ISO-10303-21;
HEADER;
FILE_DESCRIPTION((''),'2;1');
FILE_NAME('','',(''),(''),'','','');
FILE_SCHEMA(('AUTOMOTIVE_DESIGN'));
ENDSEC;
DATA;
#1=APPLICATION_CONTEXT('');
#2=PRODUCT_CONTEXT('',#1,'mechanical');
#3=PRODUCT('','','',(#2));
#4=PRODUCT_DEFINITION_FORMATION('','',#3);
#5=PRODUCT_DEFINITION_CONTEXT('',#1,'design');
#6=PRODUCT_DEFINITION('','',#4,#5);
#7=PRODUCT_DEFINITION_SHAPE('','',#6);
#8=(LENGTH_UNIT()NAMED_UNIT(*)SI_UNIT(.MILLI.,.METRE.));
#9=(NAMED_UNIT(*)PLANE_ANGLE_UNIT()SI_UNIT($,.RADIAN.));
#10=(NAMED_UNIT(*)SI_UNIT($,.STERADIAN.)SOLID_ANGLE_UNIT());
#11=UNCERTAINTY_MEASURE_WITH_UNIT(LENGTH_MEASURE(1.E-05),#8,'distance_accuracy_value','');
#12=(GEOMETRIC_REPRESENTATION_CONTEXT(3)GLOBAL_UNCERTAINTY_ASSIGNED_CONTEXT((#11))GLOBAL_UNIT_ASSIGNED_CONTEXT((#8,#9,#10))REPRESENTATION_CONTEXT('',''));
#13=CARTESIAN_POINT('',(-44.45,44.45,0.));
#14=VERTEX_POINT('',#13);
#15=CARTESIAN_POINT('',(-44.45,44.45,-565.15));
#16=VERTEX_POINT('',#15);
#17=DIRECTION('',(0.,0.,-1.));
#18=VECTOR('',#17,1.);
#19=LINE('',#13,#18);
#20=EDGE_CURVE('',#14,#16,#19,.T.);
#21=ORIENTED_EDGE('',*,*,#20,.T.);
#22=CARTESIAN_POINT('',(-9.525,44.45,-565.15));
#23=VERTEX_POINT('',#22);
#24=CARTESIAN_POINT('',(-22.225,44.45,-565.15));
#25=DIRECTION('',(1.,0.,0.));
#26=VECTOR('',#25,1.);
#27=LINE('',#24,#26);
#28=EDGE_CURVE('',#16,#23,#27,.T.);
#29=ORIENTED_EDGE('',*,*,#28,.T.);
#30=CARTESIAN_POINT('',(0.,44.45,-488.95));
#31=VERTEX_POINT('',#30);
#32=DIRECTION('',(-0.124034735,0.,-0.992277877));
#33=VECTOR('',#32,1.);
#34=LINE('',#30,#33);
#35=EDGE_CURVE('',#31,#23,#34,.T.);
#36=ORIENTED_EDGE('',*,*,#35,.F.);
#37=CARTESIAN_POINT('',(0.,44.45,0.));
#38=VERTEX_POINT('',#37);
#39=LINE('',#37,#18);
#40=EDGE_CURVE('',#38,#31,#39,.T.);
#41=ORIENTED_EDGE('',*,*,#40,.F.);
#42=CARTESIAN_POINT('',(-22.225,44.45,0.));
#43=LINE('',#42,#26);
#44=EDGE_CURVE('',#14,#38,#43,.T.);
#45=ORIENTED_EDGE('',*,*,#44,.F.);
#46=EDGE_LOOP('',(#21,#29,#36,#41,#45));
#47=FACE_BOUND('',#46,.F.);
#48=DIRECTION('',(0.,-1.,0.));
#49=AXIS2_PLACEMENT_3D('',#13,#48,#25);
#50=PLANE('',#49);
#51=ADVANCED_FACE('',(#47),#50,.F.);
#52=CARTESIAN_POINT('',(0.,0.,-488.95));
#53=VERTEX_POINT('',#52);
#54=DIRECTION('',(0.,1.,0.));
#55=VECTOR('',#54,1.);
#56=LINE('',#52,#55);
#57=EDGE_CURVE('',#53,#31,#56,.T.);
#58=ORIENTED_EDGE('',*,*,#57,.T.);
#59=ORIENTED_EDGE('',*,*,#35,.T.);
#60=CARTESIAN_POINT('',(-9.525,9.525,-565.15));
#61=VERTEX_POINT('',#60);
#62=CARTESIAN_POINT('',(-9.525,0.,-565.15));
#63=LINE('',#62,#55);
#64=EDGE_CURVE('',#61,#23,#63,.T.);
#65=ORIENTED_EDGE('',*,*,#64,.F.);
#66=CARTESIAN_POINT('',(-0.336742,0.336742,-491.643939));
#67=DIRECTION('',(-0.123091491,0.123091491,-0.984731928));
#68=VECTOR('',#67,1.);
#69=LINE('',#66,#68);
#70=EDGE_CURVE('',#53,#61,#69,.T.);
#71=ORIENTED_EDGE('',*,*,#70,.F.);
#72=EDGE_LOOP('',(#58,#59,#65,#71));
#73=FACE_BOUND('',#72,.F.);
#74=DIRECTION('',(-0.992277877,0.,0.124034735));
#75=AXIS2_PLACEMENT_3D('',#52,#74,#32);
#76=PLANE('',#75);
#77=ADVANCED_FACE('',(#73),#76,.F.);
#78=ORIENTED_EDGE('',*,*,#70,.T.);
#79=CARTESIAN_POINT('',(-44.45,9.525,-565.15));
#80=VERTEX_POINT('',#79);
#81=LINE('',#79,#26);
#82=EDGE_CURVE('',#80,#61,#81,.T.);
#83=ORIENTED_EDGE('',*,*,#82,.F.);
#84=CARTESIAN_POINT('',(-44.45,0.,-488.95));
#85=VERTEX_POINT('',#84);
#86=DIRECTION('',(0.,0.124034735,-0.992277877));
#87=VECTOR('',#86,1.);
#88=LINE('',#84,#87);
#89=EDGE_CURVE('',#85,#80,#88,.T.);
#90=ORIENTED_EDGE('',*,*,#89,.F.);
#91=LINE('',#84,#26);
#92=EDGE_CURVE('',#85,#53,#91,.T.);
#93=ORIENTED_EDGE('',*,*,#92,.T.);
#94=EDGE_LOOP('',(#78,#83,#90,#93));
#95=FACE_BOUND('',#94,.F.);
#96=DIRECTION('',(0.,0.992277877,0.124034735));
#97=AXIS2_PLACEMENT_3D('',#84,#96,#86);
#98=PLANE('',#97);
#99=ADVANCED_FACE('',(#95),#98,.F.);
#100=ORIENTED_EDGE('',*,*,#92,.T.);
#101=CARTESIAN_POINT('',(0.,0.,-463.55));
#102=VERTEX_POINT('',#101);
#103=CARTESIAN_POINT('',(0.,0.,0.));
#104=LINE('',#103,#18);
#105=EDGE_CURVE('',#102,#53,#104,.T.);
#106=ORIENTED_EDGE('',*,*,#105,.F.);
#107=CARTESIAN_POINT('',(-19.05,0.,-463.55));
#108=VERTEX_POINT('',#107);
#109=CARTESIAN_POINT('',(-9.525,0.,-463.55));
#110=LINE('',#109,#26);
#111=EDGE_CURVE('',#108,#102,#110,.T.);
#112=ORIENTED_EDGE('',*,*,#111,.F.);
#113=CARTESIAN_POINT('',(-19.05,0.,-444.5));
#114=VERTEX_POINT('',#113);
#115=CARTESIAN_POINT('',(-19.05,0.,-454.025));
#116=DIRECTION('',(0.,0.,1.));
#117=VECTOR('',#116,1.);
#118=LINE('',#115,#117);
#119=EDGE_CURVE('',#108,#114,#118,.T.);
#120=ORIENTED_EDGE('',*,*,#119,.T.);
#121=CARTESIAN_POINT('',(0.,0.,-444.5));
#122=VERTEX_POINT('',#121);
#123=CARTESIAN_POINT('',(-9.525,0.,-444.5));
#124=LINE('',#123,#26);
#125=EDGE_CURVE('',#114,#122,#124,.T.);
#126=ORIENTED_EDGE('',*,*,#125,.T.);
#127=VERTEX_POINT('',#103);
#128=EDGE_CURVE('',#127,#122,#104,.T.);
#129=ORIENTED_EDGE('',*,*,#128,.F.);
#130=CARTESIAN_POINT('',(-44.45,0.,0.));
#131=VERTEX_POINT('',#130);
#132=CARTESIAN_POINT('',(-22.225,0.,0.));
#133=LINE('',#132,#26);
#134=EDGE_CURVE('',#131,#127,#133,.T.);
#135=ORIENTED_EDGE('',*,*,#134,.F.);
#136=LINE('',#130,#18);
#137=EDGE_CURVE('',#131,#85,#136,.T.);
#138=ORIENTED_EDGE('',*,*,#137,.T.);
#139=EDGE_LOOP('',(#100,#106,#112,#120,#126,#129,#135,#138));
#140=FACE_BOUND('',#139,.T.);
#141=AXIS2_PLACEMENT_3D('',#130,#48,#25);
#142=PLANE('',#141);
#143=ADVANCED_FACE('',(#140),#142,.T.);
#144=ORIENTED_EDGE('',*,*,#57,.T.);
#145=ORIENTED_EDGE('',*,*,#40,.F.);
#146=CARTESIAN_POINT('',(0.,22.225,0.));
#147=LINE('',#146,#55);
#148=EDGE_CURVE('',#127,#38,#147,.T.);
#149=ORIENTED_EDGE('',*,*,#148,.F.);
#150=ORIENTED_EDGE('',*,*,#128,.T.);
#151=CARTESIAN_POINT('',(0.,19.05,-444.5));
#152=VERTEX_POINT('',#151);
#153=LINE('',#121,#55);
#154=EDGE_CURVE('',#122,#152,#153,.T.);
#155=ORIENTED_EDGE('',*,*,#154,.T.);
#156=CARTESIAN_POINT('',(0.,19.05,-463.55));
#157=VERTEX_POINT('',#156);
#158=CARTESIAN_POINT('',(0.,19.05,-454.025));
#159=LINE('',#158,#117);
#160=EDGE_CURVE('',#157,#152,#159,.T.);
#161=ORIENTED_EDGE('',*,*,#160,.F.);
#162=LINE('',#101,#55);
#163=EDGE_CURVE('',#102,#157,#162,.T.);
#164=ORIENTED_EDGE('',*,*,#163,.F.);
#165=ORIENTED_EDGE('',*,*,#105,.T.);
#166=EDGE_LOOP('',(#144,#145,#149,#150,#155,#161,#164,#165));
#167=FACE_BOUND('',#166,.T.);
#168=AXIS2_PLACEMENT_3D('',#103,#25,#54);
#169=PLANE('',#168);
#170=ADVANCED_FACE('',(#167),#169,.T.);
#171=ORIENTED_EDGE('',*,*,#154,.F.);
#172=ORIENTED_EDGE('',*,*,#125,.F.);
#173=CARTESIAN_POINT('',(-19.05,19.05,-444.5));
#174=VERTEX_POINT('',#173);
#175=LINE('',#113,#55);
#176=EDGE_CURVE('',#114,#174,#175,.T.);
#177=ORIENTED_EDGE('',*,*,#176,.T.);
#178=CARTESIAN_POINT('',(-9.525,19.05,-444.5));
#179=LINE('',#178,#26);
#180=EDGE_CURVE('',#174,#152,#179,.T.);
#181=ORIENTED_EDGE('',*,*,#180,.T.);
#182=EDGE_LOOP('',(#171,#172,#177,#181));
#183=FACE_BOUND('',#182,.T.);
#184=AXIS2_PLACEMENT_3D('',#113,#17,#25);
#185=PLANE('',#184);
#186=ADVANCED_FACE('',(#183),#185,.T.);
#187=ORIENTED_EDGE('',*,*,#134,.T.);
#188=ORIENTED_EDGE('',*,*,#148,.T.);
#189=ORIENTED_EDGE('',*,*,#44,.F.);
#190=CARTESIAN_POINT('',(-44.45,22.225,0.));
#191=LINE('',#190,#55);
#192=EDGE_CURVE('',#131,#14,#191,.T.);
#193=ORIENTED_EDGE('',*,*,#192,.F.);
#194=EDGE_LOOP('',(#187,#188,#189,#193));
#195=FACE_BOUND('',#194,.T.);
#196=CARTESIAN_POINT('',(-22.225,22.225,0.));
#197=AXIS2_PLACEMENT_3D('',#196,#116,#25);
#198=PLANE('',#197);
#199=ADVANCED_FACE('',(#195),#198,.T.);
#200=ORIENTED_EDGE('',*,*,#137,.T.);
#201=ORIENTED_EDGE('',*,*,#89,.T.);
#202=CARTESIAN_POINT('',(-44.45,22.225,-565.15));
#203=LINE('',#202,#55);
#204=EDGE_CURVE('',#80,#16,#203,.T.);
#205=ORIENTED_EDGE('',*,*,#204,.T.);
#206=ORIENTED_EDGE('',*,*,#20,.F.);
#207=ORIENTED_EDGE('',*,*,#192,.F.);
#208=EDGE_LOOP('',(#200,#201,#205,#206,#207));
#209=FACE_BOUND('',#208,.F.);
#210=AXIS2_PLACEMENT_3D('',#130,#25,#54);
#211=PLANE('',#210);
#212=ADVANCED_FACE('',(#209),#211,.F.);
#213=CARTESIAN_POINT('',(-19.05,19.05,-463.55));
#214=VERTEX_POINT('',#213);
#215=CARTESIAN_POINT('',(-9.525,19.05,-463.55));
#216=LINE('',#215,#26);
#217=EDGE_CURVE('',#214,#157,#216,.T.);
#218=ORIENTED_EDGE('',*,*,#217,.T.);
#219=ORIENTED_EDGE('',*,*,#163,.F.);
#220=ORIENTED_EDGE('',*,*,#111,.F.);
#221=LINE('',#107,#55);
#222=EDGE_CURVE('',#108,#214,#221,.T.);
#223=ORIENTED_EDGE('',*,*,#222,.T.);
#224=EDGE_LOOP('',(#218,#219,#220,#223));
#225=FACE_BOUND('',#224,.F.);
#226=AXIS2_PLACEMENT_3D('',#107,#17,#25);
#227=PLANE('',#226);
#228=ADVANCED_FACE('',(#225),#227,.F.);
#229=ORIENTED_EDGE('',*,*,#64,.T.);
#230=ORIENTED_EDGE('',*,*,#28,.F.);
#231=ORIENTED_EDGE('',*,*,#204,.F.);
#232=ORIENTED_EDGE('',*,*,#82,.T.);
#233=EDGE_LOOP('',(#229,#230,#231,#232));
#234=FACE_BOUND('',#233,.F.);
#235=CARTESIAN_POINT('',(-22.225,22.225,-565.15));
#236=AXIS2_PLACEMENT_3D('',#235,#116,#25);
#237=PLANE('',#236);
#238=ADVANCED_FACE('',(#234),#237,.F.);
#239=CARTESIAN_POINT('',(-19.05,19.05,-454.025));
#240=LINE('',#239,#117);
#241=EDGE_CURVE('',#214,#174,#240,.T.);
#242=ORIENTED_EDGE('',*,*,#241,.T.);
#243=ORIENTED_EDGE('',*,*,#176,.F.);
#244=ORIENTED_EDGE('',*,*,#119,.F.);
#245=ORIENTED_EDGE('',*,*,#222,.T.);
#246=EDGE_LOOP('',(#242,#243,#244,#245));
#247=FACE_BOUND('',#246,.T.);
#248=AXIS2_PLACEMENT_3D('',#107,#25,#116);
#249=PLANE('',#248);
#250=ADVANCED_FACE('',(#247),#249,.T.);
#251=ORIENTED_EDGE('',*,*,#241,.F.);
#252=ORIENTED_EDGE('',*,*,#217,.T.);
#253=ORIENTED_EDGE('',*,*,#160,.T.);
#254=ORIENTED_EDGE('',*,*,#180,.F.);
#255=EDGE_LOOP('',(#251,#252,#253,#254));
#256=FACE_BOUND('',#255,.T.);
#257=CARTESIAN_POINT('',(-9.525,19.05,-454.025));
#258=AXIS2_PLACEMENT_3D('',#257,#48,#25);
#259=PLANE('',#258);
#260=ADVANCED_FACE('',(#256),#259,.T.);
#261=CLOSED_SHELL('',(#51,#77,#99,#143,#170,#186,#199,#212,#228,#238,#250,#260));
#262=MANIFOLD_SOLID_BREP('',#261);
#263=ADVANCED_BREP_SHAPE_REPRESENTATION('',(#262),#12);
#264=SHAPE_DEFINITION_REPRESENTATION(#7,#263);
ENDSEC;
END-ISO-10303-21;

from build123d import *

# Parameters (mm, degrees)
F0_W     = 44.45
F0_H     = 44.45
F1_DEPTH = 565.15
F3_DEPTH = 44.45
F5_DEPTH = 44.451
F6_W     = 19.05
F6_H     = 19.05
F7_DEPTH = 19.05


with BuildPart() as f1:
    # F0 (on Top) → F1 (new body)
    with BuildSketch(Plane.XY):
        with Locations((-22.225, 22.225)):
            Rectangle(F0_W, F0_H)
    extrude(amount=-F1_DEPTH)

    # F2 (on face) → F3 (cut, through all)
    with BuildSketch(Plane.XZ):
        Polygon((-9.525, -565.15), (0, -565.15), (0, -488.95), align=None)
    extrude(amount=-F3_DEPTH, mode=Mode.SUBTRACT)

    # F4 (on face) → F5 (cut, through all)
    with BuildSketch(Plane(origin=(-44.45, 0, 0), x_dir=(0, -1, 0), z_dir=(-1, 0, 0))):
        Polygon((0, -565.15), (0, -488.95), (-9.525, -565.15), align=None)
    extrude(amount=-F5_DEPTH, mode=Mode.SUBTRACT)

    # F6 (on face) → F7 (cut)
    with BuildSketch(Plane.XZ):
        with Locations((-9.525, -454.025)):
            Rectangle(F6_W, F6_H)
    extrude(amount=-F7_DEPTH, mode=Mode.SUBTRACT)


solid = f1.part
